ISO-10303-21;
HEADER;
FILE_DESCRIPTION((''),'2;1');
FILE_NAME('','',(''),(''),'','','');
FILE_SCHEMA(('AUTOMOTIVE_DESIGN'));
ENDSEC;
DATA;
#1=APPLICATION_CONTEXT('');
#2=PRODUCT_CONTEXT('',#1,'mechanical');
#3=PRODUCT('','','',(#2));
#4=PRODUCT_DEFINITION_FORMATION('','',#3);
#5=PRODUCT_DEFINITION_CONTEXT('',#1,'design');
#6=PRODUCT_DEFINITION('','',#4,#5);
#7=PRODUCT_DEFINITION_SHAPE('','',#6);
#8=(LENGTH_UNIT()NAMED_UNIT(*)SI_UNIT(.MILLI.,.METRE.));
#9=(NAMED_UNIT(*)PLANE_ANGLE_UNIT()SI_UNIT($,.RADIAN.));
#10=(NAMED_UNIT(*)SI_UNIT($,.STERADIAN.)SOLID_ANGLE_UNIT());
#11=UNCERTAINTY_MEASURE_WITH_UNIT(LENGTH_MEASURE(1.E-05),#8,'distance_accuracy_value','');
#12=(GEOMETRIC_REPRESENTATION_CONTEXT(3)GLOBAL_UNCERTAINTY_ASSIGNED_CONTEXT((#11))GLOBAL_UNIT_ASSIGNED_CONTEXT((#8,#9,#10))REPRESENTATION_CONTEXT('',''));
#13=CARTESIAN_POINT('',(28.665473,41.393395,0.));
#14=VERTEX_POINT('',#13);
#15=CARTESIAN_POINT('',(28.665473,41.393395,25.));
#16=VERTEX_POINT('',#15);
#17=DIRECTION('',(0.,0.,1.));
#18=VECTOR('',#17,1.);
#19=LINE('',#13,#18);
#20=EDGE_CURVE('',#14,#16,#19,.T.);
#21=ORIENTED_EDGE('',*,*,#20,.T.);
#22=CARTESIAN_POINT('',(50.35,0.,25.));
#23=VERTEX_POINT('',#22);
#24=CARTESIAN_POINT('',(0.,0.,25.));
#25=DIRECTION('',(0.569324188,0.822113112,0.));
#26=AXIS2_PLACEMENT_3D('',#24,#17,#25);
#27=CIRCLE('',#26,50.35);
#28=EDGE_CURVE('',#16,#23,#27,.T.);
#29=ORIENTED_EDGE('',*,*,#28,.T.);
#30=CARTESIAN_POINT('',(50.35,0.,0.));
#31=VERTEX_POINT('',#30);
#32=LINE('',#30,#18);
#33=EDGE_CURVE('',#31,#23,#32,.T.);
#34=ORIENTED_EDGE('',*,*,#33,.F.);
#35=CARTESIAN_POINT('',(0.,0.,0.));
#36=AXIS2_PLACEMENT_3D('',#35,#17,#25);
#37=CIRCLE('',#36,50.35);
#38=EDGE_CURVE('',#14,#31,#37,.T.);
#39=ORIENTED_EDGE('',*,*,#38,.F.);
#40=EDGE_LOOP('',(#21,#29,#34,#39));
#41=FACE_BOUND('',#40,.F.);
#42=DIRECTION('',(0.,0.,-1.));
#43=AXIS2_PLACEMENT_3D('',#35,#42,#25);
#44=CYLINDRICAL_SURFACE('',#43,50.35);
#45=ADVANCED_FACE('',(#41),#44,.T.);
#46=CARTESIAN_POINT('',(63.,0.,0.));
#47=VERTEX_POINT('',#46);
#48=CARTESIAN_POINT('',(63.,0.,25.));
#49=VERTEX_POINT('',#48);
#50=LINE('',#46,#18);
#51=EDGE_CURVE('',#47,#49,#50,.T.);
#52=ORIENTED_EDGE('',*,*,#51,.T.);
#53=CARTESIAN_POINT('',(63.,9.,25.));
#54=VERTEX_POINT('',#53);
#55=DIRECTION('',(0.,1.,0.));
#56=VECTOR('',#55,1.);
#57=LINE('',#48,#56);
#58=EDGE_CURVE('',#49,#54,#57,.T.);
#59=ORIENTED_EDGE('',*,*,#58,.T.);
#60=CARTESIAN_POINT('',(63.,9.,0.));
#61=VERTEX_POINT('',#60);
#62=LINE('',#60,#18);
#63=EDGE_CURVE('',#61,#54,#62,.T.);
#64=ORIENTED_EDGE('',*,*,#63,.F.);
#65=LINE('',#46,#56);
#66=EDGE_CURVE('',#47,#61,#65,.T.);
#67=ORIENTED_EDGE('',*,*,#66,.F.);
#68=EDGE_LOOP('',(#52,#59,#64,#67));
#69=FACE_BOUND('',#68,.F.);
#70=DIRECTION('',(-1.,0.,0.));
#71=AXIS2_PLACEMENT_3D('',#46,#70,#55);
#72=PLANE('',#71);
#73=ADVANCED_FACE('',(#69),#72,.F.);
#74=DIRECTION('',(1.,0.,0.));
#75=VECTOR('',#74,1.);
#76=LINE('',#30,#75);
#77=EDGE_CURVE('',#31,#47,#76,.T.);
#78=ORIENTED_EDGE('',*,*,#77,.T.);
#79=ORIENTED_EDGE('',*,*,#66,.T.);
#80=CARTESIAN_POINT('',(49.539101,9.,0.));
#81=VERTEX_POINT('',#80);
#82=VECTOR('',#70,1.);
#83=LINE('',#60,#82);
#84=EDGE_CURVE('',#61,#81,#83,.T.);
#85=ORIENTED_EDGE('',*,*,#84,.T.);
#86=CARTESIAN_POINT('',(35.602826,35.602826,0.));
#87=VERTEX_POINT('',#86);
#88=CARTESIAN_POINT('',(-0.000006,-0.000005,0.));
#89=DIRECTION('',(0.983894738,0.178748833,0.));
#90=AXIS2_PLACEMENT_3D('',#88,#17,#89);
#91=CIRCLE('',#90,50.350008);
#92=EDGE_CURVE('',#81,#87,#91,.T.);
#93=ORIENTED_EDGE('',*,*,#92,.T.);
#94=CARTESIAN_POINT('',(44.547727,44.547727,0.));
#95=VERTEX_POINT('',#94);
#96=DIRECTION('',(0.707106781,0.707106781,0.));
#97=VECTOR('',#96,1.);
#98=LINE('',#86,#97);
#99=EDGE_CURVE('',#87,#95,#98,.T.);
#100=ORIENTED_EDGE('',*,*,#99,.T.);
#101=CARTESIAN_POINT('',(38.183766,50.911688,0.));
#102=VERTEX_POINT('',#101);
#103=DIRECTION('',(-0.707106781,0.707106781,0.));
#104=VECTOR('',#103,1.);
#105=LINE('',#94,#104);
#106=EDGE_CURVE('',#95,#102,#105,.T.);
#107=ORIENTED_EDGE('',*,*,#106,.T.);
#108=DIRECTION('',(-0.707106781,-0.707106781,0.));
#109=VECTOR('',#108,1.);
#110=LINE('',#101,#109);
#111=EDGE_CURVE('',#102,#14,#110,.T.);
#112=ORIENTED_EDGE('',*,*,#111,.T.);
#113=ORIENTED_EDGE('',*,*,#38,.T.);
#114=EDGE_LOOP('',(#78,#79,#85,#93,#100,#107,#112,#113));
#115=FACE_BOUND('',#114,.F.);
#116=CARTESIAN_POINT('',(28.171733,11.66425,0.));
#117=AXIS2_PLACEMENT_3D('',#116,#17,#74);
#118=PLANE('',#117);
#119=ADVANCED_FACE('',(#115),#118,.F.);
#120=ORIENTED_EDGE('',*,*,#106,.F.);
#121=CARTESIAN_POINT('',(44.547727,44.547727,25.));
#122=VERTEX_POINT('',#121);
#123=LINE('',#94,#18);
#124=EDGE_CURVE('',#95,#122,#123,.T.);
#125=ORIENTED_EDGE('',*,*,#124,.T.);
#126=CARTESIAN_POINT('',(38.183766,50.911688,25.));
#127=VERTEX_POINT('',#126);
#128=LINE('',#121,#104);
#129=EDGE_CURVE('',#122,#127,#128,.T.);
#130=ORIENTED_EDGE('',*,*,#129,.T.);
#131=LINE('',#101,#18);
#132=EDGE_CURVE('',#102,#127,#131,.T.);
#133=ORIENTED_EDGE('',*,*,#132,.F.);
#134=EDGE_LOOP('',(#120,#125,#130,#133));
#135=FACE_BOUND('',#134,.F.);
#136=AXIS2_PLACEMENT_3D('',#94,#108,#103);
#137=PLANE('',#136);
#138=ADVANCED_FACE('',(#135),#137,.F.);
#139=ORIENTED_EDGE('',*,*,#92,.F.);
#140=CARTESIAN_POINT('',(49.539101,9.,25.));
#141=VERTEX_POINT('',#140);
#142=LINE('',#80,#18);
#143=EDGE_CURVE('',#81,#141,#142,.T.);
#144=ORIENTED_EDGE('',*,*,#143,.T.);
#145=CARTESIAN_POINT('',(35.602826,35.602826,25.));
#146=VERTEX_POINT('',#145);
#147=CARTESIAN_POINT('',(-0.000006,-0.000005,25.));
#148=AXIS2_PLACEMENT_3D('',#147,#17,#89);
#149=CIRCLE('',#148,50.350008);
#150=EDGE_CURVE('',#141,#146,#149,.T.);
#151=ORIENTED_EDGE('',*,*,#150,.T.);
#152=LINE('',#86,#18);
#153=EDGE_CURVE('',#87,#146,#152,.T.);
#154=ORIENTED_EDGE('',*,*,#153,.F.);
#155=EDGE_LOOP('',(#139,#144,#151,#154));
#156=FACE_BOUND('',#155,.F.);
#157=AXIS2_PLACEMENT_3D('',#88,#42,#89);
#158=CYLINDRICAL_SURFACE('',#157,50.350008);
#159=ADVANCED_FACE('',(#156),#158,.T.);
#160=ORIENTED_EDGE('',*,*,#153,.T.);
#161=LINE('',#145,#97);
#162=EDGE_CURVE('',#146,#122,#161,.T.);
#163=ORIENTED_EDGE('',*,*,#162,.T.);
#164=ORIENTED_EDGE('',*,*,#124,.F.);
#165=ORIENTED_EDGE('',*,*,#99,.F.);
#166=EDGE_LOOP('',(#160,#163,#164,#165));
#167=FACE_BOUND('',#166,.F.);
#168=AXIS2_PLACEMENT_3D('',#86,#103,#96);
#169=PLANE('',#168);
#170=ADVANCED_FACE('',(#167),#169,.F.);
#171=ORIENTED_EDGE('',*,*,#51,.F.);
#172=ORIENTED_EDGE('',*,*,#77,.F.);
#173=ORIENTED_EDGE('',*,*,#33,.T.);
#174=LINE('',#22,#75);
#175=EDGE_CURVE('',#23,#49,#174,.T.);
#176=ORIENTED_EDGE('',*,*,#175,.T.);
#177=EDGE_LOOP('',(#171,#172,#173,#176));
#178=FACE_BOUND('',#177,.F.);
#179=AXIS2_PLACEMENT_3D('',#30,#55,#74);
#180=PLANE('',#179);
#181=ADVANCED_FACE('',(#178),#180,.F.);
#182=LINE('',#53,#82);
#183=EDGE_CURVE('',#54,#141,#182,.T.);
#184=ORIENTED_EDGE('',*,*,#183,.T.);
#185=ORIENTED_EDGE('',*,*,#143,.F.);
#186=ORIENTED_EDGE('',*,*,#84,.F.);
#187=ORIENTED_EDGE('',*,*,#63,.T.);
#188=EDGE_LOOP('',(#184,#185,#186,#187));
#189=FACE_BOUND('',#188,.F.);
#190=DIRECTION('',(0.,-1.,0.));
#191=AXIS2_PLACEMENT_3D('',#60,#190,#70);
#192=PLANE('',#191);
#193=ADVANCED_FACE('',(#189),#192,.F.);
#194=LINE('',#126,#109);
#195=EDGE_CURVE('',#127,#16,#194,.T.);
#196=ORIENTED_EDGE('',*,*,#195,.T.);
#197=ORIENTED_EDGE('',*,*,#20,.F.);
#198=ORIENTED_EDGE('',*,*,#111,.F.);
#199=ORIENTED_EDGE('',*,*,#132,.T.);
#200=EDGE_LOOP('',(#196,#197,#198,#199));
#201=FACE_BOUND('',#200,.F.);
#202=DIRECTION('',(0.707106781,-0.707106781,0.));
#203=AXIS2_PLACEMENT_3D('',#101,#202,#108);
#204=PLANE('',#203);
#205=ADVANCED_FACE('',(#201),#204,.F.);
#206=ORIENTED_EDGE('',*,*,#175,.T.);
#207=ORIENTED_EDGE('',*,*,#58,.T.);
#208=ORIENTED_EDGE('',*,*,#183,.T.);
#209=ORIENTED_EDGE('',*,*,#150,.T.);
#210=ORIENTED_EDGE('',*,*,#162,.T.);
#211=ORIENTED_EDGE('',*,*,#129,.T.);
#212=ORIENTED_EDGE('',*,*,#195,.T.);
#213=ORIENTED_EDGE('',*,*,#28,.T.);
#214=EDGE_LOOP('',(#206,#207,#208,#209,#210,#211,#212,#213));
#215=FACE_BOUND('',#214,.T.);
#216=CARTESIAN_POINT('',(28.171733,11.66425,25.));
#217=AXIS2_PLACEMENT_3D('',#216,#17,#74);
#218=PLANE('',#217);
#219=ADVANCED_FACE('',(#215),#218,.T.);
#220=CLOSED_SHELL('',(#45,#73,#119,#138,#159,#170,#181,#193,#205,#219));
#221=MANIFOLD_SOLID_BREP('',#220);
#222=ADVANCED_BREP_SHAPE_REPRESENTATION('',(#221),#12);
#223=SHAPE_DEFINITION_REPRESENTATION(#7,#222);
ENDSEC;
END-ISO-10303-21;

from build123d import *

# Parameters (mm, degrees)
F1_DEPTH = 25


with BuildPart() as f1:
    # F0 (on Top) → F1 (new body)
    with BuildSketch(Plane.XY):
        with BuildLine():
            Line((0, 0), (50.35, 0))
            ThreePointArc((50.35, 0), (50.146865, 4.518229), (49.539101, 9))
            ThreePointArc((49.539101, 9), (44.600611, 23.364673), (35.602826, 35.602826))
            Line((35.602826, 35.602826), (0, 0))
        make_face()
        with BuildLine():
            ThreePointArc((28.665473, 41.393395), (-44.600611, -23.364673), (50.35, 0))
            Line((50.35, 0), (0, 0))
            Line((0, 0), (35.602826, 35.602826))
            ThreePointArc((35.602826, 35.602826), (32.264319, 38.654059), (28.665473, 41.393395))
        make_face()
        with BuildLine():
            ThreePointArc((49.539101, 9), (50.146865, 4.518229), (50.35, 0))
            Line((50.35, 0), (63, 0))
            Line((63, 0), (63, 9))
            Line((63, 9), (49.539101, 9))
        make_face()
        with BuildLine():
            Line((38.183766, 50.911688), (28.665473, 41.393395))
            ThreePointArc((28.665473, 41.393395), (32.264319, 38.654059), (35.602826, 35.602826))
            Line((35.602826, 35.602826), (44.547727, 44.547727))
            Line((44.547727, 44.547727), (38.183766, 50.911688))
        make_face()
    extrude(amount=F1_DEPTH)


solid = f1.part
